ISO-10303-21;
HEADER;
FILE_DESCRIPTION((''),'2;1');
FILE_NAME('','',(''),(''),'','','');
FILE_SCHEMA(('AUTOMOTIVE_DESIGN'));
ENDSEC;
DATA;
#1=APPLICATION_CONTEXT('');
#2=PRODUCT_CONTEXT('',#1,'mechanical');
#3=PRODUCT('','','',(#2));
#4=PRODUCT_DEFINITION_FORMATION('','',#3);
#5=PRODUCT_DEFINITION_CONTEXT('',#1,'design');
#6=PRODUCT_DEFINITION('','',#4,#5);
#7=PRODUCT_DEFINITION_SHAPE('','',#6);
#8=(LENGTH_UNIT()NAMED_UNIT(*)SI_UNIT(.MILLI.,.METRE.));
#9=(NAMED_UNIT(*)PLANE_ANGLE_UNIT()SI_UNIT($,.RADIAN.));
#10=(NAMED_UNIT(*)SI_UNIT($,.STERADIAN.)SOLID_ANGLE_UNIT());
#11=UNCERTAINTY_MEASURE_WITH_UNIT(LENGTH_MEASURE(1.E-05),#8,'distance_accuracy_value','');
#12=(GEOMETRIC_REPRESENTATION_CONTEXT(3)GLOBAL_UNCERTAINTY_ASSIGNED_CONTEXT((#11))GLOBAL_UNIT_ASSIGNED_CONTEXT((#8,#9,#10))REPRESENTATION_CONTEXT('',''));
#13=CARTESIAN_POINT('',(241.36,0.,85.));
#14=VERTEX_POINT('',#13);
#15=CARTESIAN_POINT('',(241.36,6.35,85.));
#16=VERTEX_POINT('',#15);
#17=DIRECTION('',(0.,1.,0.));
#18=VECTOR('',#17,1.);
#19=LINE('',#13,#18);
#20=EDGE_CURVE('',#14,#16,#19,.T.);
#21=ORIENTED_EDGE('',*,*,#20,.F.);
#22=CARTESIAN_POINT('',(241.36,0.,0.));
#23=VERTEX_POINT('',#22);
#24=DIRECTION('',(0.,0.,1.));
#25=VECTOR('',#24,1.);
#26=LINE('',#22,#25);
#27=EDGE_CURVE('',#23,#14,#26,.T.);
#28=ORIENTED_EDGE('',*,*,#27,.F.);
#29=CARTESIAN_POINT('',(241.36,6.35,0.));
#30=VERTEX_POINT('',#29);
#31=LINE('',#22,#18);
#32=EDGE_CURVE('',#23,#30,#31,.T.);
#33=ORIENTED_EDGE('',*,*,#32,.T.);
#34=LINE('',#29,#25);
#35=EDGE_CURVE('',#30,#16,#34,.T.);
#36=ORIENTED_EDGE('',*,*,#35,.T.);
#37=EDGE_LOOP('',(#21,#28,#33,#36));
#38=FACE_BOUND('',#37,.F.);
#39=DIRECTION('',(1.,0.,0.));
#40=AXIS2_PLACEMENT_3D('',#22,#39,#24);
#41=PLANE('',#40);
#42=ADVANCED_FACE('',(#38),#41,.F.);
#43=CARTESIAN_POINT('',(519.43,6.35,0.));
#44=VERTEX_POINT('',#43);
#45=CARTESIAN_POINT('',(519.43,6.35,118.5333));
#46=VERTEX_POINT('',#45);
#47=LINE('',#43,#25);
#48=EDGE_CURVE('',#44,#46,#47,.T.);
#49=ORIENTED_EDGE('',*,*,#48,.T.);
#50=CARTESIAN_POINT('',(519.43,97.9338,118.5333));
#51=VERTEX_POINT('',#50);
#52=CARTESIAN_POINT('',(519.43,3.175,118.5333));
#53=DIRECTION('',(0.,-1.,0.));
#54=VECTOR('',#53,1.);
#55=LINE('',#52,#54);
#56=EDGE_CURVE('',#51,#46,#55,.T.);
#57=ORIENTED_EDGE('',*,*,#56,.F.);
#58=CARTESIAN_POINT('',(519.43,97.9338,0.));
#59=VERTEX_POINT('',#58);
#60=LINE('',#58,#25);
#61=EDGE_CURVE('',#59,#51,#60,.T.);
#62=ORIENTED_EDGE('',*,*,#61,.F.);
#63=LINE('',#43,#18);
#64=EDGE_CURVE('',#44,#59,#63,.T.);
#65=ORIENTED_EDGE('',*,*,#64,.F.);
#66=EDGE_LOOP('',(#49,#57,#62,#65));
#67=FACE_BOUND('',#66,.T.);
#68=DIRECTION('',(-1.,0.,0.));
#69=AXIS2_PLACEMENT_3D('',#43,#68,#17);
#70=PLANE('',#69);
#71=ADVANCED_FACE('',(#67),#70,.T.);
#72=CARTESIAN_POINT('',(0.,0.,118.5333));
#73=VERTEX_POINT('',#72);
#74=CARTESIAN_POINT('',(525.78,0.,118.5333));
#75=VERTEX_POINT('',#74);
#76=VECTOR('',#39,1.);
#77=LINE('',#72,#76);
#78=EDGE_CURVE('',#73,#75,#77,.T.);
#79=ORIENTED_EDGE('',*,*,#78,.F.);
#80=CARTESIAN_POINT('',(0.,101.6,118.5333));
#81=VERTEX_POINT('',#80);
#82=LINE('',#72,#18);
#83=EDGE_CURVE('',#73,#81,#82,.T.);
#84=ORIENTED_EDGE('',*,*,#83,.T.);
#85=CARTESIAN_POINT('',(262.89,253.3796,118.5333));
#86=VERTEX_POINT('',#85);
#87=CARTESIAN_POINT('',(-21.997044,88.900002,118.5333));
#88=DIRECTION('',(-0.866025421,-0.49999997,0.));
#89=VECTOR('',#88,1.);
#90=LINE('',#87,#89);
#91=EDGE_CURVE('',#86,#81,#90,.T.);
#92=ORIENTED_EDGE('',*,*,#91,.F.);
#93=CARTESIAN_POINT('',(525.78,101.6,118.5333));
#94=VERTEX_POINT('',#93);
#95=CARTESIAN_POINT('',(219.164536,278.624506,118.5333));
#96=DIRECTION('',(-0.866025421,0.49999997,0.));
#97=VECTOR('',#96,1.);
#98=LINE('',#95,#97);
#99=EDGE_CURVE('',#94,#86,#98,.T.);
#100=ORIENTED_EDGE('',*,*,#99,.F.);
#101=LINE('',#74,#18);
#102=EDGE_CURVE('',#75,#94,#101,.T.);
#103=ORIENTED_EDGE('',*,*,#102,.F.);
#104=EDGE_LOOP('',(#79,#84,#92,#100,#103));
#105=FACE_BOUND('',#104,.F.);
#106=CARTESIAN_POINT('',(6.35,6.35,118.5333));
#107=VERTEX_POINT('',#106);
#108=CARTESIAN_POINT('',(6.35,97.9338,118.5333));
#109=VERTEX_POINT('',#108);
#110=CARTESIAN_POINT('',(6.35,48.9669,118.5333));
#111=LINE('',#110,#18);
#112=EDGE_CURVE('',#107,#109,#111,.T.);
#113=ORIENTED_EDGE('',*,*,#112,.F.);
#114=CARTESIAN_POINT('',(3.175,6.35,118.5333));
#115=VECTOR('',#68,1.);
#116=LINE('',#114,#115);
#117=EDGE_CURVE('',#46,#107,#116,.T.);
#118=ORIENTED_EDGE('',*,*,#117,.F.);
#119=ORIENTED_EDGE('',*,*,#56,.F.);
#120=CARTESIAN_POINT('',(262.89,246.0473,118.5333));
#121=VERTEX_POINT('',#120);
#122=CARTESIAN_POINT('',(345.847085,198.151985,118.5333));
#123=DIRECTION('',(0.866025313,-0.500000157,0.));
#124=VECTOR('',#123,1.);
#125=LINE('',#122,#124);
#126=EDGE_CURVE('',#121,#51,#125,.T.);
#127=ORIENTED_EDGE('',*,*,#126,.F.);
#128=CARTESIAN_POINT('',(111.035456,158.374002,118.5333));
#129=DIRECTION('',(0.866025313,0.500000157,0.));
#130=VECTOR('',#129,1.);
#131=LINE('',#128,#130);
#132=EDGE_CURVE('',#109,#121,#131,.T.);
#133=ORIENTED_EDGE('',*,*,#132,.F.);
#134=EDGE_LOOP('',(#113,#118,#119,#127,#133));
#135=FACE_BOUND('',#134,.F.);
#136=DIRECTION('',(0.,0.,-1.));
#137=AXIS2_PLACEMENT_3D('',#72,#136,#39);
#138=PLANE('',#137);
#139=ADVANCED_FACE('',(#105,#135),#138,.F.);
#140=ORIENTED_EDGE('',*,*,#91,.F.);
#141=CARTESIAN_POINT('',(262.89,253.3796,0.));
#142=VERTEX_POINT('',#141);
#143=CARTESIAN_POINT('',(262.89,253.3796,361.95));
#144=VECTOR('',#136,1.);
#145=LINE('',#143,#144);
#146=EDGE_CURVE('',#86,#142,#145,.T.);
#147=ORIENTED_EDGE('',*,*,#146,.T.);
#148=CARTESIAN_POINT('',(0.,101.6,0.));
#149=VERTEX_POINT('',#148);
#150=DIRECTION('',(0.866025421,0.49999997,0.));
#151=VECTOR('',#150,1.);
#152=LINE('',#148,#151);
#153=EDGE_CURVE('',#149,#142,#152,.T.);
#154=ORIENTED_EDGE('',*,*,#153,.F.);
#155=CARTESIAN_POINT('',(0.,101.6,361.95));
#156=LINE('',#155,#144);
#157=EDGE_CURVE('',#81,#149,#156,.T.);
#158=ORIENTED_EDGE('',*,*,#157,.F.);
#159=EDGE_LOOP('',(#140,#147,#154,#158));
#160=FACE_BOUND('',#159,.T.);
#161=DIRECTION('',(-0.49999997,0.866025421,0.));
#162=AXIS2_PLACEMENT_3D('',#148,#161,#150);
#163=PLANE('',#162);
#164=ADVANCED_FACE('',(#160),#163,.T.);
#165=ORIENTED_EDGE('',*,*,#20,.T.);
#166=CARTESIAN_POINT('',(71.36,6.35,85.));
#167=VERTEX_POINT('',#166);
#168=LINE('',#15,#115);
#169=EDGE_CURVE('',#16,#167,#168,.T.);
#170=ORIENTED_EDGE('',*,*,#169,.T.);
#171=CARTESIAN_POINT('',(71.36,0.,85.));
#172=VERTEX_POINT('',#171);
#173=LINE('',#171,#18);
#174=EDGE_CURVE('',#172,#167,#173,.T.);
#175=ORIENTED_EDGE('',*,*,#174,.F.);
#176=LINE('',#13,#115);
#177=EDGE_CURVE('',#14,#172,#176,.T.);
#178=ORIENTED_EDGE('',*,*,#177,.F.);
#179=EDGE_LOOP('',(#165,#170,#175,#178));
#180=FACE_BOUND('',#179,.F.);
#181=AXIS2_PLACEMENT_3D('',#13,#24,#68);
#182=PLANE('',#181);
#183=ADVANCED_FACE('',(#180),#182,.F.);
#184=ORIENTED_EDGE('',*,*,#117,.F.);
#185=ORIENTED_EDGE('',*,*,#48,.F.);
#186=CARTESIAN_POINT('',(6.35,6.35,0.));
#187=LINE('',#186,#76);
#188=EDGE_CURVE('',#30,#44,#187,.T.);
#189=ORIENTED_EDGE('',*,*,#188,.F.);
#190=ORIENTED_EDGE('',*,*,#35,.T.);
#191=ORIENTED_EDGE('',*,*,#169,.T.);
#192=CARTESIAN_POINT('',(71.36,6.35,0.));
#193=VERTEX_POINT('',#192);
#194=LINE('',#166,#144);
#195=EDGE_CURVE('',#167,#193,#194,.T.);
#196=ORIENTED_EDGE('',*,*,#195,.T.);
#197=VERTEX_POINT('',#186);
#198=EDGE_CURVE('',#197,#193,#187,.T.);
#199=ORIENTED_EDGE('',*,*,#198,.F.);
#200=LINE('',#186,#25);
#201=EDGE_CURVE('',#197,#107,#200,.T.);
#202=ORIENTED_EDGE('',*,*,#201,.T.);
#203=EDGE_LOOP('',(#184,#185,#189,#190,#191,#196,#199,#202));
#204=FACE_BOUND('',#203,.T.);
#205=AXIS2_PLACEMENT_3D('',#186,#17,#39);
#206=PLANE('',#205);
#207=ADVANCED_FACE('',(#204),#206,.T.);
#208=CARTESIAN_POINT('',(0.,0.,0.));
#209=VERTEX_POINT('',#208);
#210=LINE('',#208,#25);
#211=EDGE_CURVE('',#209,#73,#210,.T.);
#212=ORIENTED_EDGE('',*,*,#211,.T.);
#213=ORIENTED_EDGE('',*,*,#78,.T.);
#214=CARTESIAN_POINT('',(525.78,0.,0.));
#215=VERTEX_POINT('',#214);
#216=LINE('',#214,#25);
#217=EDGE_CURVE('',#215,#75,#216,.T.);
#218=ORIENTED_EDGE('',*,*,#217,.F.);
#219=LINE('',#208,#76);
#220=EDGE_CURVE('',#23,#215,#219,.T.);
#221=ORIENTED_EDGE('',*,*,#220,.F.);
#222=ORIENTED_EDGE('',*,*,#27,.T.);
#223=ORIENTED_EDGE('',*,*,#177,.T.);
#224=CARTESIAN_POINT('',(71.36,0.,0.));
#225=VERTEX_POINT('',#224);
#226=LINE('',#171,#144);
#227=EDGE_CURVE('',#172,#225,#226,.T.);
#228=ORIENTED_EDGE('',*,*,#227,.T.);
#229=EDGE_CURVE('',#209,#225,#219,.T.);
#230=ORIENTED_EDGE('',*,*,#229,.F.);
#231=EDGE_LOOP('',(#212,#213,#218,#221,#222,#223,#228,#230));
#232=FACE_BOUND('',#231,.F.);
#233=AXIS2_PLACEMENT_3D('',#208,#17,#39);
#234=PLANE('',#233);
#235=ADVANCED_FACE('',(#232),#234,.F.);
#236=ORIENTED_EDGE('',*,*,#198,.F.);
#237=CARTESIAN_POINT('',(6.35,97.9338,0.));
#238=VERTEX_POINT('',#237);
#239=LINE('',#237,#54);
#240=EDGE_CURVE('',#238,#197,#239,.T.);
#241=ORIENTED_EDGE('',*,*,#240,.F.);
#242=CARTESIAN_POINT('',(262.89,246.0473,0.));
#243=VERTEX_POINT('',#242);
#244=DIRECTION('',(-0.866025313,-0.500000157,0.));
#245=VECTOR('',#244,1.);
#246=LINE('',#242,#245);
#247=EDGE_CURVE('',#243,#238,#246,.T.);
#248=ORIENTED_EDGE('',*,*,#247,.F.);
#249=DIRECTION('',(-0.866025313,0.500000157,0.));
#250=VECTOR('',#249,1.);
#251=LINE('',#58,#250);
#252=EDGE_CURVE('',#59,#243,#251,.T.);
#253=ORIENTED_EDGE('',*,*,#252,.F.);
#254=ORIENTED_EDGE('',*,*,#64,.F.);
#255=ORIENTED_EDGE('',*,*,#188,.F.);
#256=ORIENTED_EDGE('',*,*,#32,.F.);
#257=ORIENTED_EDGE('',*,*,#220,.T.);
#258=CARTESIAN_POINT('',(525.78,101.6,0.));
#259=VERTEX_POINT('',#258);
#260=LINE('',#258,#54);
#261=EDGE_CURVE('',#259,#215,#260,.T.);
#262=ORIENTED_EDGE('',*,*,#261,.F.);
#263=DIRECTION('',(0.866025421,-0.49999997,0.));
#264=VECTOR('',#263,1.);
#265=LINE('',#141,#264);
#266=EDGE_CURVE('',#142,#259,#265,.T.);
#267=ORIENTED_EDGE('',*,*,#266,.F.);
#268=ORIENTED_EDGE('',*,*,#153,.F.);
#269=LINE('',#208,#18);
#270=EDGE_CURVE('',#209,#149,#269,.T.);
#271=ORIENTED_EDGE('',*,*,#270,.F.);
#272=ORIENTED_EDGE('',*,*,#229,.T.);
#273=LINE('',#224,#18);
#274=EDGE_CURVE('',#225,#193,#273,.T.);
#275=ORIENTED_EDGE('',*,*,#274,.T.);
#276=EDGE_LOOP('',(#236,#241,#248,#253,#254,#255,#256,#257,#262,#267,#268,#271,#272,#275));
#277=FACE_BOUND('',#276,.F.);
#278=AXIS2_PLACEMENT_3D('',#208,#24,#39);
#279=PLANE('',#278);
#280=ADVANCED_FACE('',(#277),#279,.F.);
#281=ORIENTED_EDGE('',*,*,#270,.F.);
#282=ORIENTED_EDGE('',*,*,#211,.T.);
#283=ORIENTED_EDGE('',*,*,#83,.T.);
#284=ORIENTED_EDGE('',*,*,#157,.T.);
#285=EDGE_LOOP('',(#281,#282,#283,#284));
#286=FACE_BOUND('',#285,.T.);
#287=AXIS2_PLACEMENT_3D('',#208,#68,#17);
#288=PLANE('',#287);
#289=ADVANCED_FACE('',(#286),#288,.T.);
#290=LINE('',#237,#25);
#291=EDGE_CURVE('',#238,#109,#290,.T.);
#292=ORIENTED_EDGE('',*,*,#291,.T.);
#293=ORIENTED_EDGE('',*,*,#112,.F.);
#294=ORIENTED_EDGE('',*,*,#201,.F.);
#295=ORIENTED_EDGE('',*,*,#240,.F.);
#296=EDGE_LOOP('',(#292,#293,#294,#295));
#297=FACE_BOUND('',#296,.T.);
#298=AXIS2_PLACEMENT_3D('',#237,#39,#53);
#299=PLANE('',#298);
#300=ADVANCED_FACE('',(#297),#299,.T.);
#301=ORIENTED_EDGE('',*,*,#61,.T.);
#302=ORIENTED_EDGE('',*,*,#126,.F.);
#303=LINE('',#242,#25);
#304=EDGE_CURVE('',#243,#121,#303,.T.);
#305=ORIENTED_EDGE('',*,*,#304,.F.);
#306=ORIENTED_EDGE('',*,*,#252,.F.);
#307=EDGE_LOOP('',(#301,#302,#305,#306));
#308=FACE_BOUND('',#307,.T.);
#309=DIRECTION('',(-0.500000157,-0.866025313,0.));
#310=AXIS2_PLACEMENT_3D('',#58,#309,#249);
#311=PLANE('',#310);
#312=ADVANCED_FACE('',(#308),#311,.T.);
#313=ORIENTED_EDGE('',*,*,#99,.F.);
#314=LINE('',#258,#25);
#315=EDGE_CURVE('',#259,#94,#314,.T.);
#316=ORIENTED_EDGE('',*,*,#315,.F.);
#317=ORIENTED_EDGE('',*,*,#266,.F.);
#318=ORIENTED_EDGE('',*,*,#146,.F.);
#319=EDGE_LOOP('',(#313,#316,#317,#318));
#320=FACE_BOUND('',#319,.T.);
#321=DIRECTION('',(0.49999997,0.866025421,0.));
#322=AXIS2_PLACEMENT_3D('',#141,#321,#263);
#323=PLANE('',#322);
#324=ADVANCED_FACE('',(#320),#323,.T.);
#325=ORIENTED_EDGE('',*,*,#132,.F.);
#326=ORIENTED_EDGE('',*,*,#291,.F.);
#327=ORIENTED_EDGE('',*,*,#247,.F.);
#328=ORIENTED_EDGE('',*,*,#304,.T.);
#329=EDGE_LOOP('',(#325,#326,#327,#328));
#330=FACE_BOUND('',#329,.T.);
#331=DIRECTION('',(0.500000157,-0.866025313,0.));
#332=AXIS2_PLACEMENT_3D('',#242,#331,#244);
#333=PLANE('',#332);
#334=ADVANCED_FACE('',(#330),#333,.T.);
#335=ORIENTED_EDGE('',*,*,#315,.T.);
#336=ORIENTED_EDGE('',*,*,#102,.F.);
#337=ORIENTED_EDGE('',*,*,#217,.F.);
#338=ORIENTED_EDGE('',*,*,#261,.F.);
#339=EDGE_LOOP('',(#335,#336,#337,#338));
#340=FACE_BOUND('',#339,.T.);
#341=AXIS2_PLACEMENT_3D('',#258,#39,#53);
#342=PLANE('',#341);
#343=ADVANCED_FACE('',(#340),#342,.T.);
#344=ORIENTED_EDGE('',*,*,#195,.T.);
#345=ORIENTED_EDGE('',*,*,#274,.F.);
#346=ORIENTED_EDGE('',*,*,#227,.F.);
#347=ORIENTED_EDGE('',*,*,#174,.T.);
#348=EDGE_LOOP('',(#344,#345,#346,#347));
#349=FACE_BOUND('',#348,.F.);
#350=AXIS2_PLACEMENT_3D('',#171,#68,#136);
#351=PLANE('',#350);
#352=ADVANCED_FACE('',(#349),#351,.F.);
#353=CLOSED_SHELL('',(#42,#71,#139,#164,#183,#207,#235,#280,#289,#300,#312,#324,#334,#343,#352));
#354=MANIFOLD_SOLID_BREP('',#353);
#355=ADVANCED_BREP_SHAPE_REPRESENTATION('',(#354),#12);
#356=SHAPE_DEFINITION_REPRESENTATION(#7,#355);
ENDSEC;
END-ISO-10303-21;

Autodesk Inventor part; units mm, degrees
ref_plane "YZ Plane" through (0, 0, 0) normal (1, 0, 0) x (0, 1, 0)
ref_plane "XZ Plane" through (0, 0, 0) normal (0, 1, 0) x (-1, 0, 0)
ref_plane "XY Plane" through (0, 0, 0) normal (0, 0, 1) x (1, 0, 0)
sketch "Sketch1" plane through (0, 0, 0) normal (0, 0, 1) x (1, 0, 0)
  line L0 (0, 0) -> (525.78, 0)
  line L1 (0, 0) -> (0, 101.6)
  line L2 (0, 101.6) -> (262.89, 253.3796)
  line L3 (262.89, 253.3796) -> (525.78, 101.6)
  line L4 (525.78, 101.6) -> (525.78, 0)
  line L5 (262.89, 246.0473) -> (6.35, 97.9338)
  line L6 (6.35, 97.9338) -> (6.35, 6.35)
  line L7 (6.35, 6.35) -> (519.43, 6.35)
  line L8 (519.43, 6.35) -> (519.43, 97.9338)
  line L9 (519.43, 97.9338) -> (262.89, 246.0473)
  point P0 (262.89, 0)
  dimension "d0" = 525.78
  dimension "d1" = 101.6
  dimension "d2" = 120
  dimension "d3" = 6.35
extrude "Extrusion1" add sketch "Sketch1" along normal blind 355.6
sketch "Sketch2" plane through (0, 0, 355.6) normal (0, 0, 1) x (1, 0, 0)
  line L0 (262.89, 246.0473) -> (519.43, 97.9338) projected
  line L1 (519.43, 97.9338) -> (519.43, 6.35) projected
  line L2 (519.43, 6.35) -> (6.35, 6.35) projected
  line L3 (6.35, 6.35) -> (6.35, 97.9338) projected
  line L4 (6.35, 97.9338) -> (262.89, 246.0473) projected
  line L5 (0, 0) -> (525.78, 0) projected
  line L6 (525.78, 0) -> (525.78, 101.6) projected
  line L7 (525.78, 101.6) -> (262.89, 253.3796) projected
  line L8 (262.89, 253.3796) -> (0, 101.6) projected
  line L9 (0, 101.6) -> (0, 0) projected
  circle A0 centre (262.89, 121.3796) radius 60
  dimension "d6" = 120
  dimension "d7" = 132
extrude "Extrusion2" add sketch "Sketch2" along normal blind 6.35 contours L0 L1 L2 L3 L4 | L9 L8 L7 L6 L5
sketch "Sketch3" plane through (0, 0, 0) normal (0, -1, 0) x (1, 0, 0)
  line L0 (0, 0) -> (525.78, 0) construction
  line L1 (525.78, 0) -> (525.78, 88.9)
  line L2 (525.78, 88.9) -> (0, 88.9) construction
  line L3 (0, 88.9) -> (0, 0) construction
  line L4 (86.36, 21.95) -> (86.36, 66.95) construction
  circle A0 centre (86.36, 44.45) radius 2.3812
  circle A1 centre (86.36, 21.95) radius 2.3812
  circle A2 centre (86.36, 66.95) radius 2.3812
  line L5 (146.36, 49.45) -> (146.36, 29.45) construction
  line L6 (156.36, 66.95) -> (156.36, 21.95) construction
  line L7 (146.36, 29.45) -> (166.36, 29.45) construction
  line L8 (166.36, 49.45) -> (146.36, 49.45) construction
  line L9 (86.36, 66.95) -> (226.36, 66.95) construction
  line L10 (226.36, 21.95) -> (86.36, 21.95) construction
  line L11 (86.36, 44.45) -> (226.36, 44.45) construction
  line L12 (166.36, 29.45) -> (166.36, 49.45) construction
  line L13 (226.36, 66.95) -> (226.36, 21.95) construction
  circle A3 centre (226.36, 66.95) radius 2.3813
  circle A4 centre (226.36, 44.45) radius 2.3813
  circle A5 centre (226.36, 21.95) radius 2.3813
  circle A6 centre (156.36, 39.45) radius 10
  line L14 (0, 0) -> (0, 361.95) projected
  line L15 (525.78, 0) -> (525.78, 361.95) projected
  line L16 (0, 0) -> (525.78, 0) projected
  point P0 (0, 44.45)
  point P1 (146.36, 39.45)
  point P2 (166.36, 39.45)
  point P3 (262.89, 0)
  dimension "d10" = 45
  dimension "d11" = 140
  dimension "d12" = 4.7625
  dimension "d13" = 4.7625
  dimension "d14" = 4.7625
  dimension "d15" = 4.7625
  dimension "d16" = 4.7625
  dimension "d17" = 4.7625
  dimension "d18" = 60
  dimension "d19" = 7.5
  dimension "d20" = 20
  dimension "d21" = 20
  dimension "d22" = 86.36
  dimension "d23" = 88.9
extrude "Extrusion3" cut sketch "Sketch3" against normal blind 6.35
sketch "Sketch4" plane through (0, 0, 0) normal (0, -1, 0) x (1, 0, 0)
  line L0 (71.36, 0) -> (241.36, 0)
  line L1 (241.36, 0) -> (241.36, 85)
  line L2 (241.36, 85) -> (71.36, 85)
  line L3 (71.36, 85) -> (71.36, 0)
  line L4 (0, 0) -> (525.78, 0) construction
  circle A0 centre (156.36, 39.45) radius 10 construction
  point P0 (156.36, 85)
  dimension "d26" = 170
  dimension "d27" = 85
extrude "Extrusion4" cut sketch "Sketch4" against normal blind 6.35
sketch "Sketch5" plane through (0, 0, 361.95) normal (0, -1, 0) x (1, 0, 0)
  line L0 (519.43, -6.35) -> (6.35, -6.35) projected
  line L1 (241.36, -361.95) -> (525.78, -361.95) projected
  line L2 (0, -361.95) -> (0, 0) projected
  line L3 (525.78, -361.95) -> (0, -361.95)
  line L4 (0, -361.95) -> (0, -243.4167)
  line L5 (0, -243.4167) -> (525.78, -243.4167)
  line L6 (525.78, -243.4167) -> (525.78, -361.95)
  line L7 (525.78, -243.4167) -> (0, -243.4167)
  line L8 (0, -243.4167) -> (0, -124.8833)
  line L9 (0, -124.8833) -> (525.78, -124.8833)
  line L10 (525.78, -124.8833) -> (525.78, -243.4167)
  line L11 (525.78, -124.8833) -> (0, -124.8833)
  line L12 (0, -124.8833) -> (0, 0)
  line L13 (0, 0) -> (525.78, 0)
  line L14 (525.78, 0) -> (525.78, -124.8833)
  dimension "d30" = 355.6
  dimension "d31" = 118.5333
  dimension "d32" = 118.5333
extrude "Extrusion5" cut sketch "Sketch5" against normal through all contours L5 L2 L9 L10 | L9 L2 L13 L14
equation "\"d31\" = 0.333333 * d30"
equation "\"d32\" = 0.333333 * d30"
properties part number "CA01" material "ABS Plastic"
